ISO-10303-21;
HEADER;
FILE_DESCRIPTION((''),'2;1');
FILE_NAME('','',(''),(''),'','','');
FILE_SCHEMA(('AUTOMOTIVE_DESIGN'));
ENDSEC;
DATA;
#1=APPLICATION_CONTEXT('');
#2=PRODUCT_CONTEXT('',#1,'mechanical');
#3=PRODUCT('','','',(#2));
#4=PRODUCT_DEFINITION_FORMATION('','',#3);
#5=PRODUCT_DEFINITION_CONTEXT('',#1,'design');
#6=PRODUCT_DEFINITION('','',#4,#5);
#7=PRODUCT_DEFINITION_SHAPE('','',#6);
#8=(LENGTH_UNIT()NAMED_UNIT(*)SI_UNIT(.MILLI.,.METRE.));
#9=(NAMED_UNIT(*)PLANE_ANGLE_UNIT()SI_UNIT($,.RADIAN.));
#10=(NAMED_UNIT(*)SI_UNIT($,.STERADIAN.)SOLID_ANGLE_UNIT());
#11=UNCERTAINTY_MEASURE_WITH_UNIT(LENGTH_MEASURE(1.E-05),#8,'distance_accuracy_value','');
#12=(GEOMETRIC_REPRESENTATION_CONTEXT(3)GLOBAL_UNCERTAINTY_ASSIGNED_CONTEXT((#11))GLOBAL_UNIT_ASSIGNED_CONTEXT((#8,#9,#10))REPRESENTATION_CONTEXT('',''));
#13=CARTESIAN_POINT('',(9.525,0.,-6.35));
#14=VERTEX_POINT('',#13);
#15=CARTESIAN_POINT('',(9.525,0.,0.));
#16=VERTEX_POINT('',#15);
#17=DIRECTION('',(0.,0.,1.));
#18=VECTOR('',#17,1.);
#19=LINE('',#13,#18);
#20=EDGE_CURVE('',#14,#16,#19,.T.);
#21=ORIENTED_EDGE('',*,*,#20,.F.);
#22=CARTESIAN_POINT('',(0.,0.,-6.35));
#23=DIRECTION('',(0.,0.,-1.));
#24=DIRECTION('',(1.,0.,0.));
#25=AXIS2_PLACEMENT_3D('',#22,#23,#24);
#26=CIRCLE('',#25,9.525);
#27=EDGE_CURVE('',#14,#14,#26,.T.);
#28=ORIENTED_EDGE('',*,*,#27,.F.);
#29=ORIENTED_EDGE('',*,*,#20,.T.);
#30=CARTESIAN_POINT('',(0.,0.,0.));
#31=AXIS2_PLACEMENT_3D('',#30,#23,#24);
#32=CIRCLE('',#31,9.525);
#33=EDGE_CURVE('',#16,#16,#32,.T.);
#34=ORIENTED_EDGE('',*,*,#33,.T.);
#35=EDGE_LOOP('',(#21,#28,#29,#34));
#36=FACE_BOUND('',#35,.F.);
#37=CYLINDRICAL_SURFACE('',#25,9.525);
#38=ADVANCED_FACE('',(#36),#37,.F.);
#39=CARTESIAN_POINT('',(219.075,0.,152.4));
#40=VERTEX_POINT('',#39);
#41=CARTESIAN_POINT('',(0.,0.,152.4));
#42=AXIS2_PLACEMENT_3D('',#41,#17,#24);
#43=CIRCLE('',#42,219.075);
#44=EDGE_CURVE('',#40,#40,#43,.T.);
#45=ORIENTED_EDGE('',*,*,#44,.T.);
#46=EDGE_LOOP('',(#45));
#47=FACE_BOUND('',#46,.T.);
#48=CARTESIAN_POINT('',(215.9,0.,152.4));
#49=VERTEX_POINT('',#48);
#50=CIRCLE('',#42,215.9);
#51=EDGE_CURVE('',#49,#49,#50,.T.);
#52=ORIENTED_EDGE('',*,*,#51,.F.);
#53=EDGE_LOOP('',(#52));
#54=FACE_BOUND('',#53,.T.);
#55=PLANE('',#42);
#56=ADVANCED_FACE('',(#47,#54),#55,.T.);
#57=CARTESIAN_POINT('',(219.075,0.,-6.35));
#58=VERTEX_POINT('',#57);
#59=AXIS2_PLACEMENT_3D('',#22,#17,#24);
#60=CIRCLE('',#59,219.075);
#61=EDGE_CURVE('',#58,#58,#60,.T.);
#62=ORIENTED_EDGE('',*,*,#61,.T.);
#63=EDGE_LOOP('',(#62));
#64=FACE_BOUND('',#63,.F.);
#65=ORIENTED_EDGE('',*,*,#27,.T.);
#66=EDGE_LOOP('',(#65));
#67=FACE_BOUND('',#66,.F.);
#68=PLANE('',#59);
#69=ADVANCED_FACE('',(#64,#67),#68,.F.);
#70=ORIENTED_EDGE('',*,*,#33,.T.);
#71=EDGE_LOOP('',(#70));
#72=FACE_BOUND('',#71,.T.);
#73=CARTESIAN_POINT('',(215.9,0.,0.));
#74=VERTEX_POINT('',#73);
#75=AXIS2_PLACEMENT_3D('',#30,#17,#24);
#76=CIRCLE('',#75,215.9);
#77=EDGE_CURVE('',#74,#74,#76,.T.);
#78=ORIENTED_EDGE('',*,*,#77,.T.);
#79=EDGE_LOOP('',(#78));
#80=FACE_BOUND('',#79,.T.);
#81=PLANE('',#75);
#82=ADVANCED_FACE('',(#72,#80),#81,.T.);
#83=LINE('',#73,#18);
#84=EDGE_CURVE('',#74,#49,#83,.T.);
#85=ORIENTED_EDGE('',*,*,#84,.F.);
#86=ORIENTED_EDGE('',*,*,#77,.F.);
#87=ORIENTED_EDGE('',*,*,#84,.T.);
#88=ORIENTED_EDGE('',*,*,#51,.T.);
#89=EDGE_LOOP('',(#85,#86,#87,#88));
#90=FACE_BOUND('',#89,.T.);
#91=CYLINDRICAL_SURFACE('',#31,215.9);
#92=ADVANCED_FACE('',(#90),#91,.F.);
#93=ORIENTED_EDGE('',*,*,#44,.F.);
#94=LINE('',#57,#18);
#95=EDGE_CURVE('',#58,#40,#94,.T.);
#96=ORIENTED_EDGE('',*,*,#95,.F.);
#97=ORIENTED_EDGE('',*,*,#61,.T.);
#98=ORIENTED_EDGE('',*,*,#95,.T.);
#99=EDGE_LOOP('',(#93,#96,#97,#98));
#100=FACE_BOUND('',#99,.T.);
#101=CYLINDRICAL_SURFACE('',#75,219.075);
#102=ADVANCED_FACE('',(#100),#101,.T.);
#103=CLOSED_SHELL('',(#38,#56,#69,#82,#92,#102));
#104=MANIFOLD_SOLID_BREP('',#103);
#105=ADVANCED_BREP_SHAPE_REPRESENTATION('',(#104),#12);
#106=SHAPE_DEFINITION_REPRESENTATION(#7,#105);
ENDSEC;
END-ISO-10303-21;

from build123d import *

# Parameters (mm, degrees)
F0_R     = 219.075
F0_R_2   = 215.9
F1_DEPTH = 152.4
F2_R     = 219.075
F3_DEPTH = 6.35
F4_R     = 9.525
F5_DEPTH = 25.4


with BuildPart() as f1:
    # F0 (on Top) → F1 (new body)
    with BuildSketch(Plane.XY):
        Circle(F0_R)
        Circle(F0_R_2, mode=Mode.SUBTRACT)
    extrude(amount=F1_DEPTH)

    # F2 (on Top) → F3 (join)
    with BuildSketch(Plane.XY):
        Circle(F2_R)
    extrude(amount=-F3_DEPTH)

    # F4 (on face) → F5 (cut)
    with BuildSketch(Plane(origin=(0, 0, -6.35), x_dir=(1, 0, 0), z_dir=(0, 0, -1))):
        Circle(F4_R)
    extrude(amount=-F5_DEPTH, mode=Mode.SUBTRACT)


solid = f1.part
